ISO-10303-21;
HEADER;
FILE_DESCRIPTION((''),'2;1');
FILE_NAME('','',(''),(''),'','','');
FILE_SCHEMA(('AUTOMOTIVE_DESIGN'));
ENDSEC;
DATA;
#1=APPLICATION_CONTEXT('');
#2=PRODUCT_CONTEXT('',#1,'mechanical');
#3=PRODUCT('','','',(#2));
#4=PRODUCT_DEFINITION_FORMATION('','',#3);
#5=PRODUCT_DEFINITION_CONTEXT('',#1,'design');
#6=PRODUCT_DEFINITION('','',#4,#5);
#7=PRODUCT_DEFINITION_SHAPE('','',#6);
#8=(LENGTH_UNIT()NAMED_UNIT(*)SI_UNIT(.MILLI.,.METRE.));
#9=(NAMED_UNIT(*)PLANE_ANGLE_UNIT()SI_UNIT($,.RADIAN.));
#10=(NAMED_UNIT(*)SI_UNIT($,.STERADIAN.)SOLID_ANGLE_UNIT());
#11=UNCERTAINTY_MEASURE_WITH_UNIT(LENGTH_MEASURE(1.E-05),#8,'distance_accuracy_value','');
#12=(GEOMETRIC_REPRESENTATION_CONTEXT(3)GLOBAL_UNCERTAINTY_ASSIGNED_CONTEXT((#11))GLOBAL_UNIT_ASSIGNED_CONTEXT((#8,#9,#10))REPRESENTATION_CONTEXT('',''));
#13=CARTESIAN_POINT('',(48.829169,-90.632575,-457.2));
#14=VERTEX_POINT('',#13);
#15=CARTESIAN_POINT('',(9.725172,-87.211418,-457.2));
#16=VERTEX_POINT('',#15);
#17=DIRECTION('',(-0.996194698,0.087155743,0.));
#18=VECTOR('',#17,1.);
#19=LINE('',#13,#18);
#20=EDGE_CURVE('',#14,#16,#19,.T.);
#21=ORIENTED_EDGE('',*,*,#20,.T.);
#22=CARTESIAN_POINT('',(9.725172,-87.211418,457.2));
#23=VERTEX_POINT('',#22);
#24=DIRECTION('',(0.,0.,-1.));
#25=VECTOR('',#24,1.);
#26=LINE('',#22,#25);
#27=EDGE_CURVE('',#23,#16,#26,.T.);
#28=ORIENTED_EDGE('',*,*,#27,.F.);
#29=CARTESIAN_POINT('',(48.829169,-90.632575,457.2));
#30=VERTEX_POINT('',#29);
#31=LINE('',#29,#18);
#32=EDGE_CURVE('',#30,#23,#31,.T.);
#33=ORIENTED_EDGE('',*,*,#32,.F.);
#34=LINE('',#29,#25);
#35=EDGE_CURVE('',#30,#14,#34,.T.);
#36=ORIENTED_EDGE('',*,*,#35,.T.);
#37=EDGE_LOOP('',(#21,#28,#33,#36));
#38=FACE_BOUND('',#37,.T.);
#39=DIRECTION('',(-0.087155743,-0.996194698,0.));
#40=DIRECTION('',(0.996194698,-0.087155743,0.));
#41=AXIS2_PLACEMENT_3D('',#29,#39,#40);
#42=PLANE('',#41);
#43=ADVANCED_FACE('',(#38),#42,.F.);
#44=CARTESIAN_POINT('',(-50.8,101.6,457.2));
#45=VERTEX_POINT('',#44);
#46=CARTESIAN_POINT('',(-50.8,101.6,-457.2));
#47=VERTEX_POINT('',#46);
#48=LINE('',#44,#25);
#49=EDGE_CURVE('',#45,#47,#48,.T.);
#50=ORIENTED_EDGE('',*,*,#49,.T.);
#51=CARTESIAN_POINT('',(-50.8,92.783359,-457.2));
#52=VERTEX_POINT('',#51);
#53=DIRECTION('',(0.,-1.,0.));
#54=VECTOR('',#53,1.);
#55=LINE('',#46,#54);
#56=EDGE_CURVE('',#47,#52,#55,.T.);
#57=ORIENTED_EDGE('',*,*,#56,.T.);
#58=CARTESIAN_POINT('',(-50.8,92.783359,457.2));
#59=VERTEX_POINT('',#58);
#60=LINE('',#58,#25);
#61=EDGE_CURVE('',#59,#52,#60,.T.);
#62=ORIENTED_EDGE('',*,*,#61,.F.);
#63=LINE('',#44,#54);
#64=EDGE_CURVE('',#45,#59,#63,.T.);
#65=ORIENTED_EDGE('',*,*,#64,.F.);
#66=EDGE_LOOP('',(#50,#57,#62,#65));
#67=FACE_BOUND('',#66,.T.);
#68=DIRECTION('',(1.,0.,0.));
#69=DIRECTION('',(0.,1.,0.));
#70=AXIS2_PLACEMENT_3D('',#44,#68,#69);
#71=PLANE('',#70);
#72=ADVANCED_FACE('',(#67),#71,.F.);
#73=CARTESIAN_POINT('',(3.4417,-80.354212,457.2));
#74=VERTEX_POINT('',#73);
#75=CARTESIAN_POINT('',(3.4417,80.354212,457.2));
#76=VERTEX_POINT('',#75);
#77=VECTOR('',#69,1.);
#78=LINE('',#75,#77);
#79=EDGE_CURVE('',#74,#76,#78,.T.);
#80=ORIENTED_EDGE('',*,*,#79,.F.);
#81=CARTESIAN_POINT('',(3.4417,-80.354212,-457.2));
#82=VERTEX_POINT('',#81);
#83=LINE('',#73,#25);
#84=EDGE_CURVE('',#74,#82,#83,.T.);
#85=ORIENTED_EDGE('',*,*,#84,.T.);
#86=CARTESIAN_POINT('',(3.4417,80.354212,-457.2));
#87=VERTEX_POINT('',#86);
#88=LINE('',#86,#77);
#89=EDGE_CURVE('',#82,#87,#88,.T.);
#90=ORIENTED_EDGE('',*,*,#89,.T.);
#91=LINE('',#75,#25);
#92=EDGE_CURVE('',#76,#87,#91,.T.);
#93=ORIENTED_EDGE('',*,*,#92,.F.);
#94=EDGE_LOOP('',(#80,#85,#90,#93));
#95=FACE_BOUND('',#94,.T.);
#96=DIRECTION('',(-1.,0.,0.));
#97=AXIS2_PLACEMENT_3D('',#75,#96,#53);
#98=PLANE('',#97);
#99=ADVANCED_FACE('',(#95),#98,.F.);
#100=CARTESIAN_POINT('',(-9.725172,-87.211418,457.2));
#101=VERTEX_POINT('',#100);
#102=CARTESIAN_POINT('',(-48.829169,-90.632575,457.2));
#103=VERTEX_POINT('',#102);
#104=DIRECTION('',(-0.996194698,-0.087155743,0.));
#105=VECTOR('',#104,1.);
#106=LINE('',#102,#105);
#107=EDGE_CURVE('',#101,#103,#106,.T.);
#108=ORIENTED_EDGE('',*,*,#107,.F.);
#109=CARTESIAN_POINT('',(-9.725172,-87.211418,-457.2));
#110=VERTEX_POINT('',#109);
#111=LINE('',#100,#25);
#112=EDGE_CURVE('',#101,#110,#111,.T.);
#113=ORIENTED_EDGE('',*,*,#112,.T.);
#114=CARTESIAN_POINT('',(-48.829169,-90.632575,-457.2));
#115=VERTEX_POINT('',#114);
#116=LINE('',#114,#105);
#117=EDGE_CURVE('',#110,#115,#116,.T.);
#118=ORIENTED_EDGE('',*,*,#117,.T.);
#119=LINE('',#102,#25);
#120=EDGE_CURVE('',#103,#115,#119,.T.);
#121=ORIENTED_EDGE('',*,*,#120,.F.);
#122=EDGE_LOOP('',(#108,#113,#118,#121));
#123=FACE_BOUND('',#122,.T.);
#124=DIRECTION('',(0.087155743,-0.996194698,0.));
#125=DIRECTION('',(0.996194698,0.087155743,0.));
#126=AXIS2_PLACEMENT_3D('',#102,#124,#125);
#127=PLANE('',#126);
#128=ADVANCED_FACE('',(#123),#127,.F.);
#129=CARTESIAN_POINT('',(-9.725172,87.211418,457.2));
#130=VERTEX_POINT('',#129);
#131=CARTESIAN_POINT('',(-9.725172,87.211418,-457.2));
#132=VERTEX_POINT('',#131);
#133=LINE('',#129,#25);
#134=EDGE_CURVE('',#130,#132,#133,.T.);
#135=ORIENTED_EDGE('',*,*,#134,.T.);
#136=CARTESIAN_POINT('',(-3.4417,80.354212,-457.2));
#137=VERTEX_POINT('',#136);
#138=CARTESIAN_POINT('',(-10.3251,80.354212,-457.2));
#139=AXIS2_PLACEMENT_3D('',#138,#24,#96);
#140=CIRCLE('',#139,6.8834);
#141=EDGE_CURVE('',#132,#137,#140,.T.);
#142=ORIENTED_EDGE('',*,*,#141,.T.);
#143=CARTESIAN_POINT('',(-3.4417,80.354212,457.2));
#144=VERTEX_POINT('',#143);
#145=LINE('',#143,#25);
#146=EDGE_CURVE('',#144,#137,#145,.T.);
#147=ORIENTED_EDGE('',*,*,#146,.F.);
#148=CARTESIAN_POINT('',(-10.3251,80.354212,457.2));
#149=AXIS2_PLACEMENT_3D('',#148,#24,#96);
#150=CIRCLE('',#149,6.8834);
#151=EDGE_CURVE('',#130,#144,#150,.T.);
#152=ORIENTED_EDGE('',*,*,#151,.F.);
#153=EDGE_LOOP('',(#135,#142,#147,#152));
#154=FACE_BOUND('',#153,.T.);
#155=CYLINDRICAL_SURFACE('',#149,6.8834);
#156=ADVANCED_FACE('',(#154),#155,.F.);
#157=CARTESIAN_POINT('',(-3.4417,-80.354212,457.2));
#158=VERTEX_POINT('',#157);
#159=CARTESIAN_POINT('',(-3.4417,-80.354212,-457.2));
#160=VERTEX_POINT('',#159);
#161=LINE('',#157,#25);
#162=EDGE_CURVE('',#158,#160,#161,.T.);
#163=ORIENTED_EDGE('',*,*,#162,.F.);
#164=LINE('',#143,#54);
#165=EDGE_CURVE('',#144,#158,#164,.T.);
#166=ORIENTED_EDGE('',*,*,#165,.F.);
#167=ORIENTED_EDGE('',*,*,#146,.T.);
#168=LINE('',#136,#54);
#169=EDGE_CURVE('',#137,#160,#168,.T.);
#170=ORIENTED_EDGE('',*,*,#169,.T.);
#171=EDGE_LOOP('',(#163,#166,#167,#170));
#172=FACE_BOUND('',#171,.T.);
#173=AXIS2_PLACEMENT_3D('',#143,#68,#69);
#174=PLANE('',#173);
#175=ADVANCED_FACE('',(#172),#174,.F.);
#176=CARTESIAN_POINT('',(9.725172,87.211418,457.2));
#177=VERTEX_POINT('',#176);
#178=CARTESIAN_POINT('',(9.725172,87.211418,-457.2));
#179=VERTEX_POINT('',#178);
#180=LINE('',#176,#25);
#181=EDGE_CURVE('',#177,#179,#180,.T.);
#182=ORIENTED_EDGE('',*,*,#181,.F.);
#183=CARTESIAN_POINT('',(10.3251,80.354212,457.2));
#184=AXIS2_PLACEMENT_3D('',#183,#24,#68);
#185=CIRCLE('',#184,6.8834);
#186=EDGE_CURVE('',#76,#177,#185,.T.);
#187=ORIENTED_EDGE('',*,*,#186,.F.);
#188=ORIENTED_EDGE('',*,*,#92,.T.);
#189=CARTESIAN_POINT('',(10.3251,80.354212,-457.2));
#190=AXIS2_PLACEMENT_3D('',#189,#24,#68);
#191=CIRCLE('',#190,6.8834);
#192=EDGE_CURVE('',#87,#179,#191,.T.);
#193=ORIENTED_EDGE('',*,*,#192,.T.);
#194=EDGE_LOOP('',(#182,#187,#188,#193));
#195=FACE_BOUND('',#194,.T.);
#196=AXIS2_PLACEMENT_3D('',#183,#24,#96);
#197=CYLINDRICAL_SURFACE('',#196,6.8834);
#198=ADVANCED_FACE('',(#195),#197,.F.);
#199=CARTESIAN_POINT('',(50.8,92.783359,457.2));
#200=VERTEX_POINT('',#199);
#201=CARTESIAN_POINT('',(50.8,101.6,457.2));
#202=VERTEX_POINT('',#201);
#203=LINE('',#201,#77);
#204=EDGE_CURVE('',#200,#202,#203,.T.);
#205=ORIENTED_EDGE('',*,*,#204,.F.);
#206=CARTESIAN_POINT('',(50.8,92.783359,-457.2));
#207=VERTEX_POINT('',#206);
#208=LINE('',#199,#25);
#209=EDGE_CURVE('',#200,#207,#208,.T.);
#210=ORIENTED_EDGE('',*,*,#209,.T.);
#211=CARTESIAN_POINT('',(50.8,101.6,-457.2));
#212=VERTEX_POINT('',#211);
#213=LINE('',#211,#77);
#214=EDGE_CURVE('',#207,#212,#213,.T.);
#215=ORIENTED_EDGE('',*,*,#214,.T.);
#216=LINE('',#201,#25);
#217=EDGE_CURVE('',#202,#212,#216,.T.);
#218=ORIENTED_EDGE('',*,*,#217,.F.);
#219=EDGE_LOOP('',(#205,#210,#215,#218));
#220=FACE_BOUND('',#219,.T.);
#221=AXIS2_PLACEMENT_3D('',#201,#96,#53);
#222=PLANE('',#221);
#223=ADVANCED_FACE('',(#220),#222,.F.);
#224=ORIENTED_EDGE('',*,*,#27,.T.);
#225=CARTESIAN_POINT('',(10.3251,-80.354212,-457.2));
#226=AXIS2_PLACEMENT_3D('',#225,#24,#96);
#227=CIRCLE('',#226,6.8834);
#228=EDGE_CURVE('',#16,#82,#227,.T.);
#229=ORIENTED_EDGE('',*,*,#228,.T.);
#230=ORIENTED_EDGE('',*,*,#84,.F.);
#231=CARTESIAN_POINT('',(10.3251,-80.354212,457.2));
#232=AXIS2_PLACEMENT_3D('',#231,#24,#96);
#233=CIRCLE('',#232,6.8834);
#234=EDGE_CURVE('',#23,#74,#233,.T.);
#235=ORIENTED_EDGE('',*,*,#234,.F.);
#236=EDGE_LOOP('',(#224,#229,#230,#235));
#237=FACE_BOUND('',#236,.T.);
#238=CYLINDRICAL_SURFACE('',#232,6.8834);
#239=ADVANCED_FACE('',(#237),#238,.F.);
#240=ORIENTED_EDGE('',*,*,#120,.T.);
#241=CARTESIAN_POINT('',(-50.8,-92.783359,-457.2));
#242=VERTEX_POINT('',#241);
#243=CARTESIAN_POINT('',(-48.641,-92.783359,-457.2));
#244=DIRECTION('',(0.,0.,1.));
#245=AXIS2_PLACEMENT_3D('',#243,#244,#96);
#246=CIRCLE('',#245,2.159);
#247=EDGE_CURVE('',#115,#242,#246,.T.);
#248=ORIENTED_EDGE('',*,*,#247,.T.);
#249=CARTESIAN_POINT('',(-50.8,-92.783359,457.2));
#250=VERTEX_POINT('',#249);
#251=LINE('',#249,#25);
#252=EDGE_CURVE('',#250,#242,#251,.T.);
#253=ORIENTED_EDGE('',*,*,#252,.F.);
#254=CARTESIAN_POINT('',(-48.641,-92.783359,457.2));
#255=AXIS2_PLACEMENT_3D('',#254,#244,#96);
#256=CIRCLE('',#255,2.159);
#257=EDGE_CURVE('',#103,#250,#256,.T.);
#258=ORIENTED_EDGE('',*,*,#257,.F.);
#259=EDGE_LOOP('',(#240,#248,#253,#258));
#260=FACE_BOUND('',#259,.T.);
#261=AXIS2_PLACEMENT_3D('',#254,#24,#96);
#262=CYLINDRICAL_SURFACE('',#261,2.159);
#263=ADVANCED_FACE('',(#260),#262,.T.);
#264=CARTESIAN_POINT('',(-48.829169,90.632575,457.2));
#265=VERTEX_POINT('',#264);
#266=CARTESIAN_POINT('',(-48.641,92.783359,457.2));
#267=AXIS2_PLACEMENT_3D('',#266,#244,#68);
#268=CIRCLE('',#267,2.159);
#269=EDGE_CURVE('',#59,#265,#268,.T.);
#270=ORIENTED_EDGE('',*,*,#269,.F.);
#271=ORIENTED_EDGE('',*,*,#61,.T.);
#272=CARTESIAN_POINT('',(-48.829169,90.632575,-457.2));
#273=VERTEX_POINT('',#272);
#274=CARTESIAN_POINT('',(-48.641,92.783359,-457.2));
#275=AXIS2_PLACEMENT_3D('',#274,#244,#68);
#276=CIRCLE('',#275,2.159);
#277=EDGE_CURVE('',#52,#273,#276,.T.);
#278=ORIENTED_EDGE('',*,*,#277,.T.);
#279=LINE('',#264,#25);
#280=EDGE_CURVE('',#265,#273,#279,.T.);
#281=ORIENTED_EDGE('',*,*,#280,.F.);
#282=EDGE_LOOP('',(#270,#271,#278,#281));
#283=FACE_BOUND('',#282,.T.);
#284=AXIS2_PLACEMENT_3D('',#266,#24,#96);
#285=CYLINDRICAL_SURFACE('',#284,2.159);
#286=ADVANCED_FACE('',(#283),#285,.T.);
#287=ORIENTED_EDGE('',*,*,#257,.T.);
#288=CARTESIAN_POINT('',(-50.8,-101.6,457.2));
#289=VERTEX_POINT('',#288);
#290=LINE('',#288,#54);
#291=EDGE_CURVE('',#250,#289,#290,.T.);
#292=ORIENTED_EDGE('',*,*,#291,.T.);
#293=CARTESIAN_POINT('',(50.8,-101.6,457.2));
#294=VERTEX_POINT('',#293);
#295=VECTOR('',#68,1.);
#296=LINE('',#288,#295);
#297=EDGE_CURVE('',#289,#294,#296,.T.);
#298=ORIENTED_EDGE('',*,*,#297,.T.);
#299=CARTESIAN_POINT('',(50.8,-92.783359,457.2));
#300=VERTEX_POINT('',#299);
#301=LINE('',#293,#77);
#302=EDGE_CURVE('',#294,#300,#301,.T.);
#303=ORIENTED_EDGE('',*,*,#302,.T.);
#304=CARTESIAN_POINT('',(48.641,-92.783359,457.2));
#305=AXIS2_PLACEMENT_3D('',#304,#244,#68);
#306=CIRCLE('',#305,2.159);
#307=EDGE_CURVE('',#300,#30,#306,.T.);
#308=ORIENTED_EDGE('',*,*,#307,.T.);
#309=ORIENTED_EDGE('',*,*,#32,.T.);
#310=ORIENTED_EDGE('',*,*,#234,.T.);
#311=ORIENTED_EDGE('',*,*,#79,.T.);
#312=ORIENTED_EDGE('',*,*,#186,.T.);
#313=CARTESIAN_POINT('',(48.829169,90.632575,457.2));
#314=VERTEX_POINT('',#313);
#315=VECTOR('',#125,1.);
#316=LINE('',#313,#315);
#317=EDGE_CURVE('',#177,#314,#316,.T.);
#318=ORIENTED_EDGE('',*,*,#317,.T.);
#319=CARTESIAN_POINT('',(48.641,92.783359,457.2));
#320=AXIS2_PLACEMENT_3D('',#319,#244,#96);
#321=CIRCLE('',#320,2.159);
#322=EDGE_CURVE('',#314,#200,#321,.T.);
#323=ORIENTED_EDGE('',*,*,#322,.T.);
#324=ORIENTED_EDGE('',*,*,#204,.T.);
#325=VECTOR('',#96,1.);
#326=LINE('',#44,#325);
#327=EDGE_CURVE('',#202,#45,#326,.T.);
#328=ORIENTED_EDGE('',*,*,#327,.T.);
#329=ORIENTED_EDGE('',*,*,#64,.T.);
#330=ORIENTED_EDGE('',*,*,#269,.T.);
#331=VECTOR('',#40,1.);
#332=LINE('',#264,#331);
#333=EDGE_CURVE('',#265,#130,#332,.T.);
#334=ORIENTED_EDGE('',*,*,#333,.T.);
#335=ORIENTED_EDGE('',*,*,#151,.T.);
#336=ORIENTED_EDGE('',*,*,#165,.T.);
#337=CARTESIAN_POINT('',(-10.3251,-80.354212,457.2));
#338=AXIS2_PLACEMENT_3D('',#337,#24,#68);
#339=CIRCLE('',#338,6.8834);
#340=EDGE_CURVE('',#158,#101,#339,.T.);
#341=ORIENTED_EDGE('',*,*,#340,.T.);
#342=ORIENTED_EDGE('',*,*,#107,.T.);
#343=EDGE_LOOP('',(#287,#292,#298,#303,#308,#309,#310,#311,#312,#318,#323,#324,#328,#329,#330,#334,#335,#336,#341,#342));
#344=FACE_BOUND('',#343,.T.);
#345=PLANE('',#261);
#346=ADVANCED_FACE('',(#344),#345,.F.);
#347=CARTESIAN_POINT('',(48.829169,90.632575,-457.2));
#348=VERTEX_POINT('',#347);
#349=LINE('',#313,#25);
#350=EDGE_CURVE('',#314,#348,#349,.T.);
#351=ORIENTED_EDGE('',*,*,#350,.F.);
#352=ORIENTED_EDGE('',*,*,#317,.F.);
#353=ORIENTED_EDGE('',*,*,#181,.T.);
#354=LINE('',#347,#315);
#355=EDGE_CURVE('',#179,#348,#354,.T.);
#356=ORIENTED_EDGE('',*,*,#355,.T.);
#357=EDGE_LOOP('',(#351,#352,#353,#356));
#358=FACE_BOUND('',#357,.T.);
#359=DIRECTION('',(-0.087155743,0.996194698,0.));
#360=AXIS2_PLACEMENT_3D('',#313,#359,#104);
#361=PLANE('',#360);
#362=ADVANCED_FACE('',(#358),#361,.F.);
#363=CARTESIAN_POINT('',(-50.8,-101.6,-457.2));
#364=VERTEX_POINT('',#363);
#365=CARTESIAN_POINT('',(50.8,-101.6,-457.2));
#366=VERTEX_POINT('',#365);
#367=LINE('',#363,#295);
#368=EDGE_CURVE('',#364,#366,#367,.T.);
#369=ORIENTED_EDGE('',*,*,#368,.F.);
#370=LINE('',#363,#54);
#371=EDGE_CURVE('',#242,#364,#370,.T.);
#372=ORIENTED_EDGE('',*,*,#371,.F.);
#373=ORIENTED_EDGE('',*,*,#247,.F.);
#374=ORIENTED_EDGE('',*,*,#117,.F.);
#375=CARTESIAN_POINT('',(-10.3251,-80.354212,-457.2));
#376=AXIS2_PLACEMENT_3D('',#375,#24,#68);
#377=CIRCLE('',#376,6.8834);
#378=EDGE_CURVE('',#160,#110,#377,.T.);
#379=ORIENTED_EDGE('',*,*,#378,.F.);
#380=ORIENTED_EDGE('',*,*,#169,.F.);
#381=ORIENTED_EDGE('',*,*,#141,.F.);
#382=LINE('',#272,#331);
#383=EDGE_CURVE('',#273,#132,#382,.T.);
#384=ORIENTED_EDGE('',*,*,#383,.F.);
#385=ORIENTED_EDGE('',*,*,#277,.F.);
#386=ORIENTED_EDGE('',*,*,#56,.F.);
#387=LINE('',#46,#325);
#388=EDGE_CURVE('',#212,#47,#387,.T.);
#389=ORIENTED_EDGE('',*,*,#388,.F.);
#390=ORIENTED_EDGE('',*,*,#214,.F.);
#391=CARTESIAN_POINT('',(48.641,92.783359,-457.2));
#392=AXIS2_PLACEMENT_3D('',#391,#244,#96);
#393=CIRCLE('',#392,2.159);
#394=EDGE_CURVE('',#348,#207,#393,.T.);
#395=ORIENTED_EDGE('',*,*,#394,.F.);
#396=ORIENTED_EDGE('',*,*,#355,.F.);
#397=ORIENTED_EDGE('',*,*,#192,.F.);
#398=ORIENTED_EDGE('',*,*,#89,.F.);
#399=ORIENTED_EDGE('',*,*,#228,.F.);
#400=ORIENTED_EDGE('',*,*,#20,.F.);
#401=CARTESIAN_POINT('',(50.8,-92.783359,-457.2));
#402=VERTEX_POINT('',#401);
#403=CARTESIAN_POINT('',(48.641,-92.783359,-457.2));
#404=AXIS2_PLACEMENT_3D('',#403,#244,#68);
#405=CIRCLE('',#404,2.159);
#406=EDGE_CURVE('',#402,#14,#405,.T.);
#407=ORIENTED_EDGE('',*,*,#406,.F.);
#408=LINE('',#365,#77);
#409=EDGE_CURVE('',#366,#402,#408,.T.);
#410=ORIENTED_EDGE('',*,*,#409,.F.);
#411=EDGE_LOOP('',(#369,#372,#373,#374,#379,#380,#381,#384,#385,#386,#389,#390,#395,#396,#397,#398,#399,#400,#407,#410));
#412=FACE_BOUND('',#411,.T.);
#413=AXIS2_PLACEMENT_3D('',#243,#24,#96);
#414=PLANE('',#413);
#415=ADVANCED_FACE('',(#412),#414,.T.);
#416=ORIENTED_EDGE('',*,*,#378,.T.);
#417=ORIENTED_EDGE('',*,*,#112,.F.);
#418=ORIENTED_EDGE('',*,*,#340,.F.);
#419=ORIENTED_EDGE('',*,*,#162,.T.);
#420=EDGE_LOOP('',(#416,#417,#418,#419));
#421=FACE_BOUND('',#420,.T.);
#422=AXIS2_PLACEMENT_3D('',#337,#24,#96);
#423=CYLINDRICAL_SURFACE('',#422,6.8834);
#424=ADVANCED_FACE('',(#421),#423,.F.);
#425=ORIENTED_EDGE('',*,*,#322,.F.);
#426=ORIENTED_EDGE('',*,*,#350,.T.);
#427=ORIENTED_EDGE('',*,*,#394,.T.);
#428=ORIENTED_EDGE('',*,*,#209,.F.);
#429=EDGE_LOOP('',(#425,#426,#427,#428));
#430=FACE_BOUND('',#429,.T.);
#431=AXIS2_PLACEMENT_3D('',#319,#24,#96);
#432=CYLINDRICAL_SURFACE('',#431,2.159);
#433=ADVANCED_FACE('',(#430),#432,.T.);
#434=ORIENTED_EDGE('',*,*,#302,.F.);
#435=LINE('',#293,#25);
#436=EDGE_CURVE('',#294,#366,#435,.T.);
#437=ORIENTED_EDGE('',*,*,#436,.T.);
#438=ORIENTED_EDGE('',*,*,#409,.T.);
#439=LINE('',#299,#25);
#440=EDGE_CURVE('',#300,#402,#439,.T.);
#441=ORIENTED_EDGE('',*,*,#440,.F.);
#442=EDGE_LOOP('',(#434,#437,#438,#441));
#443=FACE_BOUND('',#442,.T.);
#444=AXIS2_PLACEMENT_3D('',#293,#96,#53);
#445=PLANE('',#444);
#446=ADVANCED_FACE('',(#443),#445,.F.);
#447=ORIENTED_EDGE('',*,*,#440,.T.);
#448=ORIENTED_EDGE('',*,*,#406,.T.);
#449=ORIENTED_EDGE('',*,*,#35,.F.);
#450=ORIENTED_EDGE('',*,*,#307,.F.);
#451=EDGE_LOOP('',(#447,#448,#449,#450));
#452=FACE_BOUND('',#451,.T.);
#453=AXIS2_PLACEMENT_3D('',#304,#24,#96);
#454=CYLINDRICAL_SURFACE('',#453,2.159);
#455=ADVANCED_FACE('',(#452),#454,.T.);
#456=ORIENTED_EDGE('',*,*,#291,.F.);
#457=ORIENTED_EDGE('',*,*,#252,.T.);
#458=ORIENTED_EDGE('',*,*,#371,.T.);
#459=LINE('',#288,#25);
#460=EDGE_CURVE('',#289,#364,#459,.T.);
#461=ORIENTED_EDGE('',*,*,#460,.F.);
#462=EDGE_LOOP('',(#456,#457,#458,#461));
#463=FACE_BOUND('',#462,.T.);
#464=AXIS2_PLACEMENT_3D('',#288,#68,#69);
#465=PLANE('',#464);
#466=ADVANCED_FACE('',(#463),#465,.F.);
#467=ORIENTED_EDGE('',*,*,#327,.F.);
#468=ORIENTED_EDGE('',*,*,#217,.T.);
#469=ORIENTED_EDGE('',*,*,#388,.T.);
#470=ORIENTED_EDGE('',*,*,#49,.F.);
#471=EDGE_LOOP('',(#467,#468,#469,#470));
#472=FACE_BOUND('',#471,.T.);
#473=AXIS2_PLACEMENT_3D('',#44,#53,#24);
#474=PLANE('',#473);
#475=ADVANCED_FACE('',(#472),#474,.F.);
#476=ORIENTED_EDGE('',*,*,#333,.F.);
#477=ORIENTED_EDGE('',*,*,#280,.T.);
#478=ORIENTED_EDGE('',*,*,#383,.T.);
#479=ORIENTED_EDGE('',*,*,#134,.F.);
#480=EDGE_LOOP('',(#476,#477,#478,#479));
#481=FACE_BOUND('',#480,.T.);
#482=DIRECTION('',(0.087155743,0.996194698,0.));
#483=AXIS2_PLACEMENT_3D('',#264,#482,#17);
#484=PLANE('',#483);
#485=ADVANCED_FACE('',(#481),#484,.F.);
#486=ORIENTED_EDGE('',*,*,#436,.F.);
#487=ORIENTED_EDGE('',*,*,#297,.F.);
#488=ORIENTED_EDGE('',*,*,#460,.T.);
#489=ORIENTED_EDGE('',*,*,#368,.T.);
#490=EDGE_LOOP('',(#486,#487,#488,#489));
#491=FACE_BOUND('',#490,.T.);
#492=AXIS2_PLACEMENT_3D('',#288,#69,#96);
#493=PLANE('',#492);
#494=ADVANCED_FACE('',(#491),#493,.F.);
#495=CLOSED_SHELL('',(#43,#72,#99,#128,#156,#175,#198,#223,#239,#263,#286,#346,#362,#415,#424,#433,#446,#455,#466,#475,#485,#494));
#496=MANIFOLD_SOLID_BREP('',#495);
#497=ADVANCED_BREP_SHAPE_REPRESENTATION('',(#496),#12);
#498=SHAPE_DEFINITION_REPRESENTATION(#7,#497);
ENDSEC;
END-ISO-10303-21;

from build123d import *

# Parameters (mm, degrees)
BOSS_EXTRUDE1_START = -457.2
BOSS_EXTRUDE1_DEPTH = 914.4


with BuildPart() as part:
    # Sketch3 → Boss-Extrude1 (new body)
    with BuildSketch(Plane.XY.offset(BOSS_EXTRUDE1_START)):
        with BuildLine():
            Line((-50.8, -101.6), (50.8, -101.6))
            Line((50.8, -101.6), (50.8, -92.783359005))
            ThreePointArc((50.8, -92.783359005), (50.23278177, -91.324759746), (48.829169249, -90.632574652))
            Line((48.829169249, -90.632574652), (9.72517216, -87.211418208))
            ThreePointArc((9.72517216, -87.211418208), (5.25012518, -85.004569258), (3.4417, -80.354211623))
            Line((3.4417, -80.354211623), (3.4417, 80.354211623))
            ThreePointArc((3.4417, 80.354211623), (5.25012518, 85.004569258), (9.72517216, 87.211418208))
            Line((9.72517216, 87.211418208), (48.829169249, 90.632574652))
            ThreePointArc((48.829169249, 90.632574652), (50.23278177, 91.324759746), (50.8, 92.783359005))
            Line((50.8, 92.783359005), (50.8, 101.6))
            Line((50.8, 101.6), (-50.8, 101.6))
            Line((-50.8, 101.6), (-50.8, 92.783359005))
            ThreePointArc((-50.8, 92.783359005), (-50.23278177, 91.324759746), (-48.829169249, 90.632574652))
            Line((-48.829169249, 90.632574652), (-9.72517216, 87.211418208))
            ThreePointArc((-9.72517216, 87.211418208), (-5.25012518, 85.004569258), (-3.4417, 80.354211623))
            Line((-3.4417, 80.354211623), (-3.4417, -80.354211623))
            ThreePointArc((-3.4417, -80.354211623), (-5.25012518, -85.004569258), (-9.72517216, -87.211418208))
            Line((-9.72517216, -87.211418208), (-48.829169249, -90.632574652))
            ThreePointArc((-48.829169249, -90.632574652), (-50.23278177, -91.324759746), (-50.8, -92.783359005))
            Line((-50.8, -92.783359005), (-50.8, -101.6))
        make_face()
    extrude(amount=BOSS_EXTRUDE1_DEPTH)


solid = part.part
